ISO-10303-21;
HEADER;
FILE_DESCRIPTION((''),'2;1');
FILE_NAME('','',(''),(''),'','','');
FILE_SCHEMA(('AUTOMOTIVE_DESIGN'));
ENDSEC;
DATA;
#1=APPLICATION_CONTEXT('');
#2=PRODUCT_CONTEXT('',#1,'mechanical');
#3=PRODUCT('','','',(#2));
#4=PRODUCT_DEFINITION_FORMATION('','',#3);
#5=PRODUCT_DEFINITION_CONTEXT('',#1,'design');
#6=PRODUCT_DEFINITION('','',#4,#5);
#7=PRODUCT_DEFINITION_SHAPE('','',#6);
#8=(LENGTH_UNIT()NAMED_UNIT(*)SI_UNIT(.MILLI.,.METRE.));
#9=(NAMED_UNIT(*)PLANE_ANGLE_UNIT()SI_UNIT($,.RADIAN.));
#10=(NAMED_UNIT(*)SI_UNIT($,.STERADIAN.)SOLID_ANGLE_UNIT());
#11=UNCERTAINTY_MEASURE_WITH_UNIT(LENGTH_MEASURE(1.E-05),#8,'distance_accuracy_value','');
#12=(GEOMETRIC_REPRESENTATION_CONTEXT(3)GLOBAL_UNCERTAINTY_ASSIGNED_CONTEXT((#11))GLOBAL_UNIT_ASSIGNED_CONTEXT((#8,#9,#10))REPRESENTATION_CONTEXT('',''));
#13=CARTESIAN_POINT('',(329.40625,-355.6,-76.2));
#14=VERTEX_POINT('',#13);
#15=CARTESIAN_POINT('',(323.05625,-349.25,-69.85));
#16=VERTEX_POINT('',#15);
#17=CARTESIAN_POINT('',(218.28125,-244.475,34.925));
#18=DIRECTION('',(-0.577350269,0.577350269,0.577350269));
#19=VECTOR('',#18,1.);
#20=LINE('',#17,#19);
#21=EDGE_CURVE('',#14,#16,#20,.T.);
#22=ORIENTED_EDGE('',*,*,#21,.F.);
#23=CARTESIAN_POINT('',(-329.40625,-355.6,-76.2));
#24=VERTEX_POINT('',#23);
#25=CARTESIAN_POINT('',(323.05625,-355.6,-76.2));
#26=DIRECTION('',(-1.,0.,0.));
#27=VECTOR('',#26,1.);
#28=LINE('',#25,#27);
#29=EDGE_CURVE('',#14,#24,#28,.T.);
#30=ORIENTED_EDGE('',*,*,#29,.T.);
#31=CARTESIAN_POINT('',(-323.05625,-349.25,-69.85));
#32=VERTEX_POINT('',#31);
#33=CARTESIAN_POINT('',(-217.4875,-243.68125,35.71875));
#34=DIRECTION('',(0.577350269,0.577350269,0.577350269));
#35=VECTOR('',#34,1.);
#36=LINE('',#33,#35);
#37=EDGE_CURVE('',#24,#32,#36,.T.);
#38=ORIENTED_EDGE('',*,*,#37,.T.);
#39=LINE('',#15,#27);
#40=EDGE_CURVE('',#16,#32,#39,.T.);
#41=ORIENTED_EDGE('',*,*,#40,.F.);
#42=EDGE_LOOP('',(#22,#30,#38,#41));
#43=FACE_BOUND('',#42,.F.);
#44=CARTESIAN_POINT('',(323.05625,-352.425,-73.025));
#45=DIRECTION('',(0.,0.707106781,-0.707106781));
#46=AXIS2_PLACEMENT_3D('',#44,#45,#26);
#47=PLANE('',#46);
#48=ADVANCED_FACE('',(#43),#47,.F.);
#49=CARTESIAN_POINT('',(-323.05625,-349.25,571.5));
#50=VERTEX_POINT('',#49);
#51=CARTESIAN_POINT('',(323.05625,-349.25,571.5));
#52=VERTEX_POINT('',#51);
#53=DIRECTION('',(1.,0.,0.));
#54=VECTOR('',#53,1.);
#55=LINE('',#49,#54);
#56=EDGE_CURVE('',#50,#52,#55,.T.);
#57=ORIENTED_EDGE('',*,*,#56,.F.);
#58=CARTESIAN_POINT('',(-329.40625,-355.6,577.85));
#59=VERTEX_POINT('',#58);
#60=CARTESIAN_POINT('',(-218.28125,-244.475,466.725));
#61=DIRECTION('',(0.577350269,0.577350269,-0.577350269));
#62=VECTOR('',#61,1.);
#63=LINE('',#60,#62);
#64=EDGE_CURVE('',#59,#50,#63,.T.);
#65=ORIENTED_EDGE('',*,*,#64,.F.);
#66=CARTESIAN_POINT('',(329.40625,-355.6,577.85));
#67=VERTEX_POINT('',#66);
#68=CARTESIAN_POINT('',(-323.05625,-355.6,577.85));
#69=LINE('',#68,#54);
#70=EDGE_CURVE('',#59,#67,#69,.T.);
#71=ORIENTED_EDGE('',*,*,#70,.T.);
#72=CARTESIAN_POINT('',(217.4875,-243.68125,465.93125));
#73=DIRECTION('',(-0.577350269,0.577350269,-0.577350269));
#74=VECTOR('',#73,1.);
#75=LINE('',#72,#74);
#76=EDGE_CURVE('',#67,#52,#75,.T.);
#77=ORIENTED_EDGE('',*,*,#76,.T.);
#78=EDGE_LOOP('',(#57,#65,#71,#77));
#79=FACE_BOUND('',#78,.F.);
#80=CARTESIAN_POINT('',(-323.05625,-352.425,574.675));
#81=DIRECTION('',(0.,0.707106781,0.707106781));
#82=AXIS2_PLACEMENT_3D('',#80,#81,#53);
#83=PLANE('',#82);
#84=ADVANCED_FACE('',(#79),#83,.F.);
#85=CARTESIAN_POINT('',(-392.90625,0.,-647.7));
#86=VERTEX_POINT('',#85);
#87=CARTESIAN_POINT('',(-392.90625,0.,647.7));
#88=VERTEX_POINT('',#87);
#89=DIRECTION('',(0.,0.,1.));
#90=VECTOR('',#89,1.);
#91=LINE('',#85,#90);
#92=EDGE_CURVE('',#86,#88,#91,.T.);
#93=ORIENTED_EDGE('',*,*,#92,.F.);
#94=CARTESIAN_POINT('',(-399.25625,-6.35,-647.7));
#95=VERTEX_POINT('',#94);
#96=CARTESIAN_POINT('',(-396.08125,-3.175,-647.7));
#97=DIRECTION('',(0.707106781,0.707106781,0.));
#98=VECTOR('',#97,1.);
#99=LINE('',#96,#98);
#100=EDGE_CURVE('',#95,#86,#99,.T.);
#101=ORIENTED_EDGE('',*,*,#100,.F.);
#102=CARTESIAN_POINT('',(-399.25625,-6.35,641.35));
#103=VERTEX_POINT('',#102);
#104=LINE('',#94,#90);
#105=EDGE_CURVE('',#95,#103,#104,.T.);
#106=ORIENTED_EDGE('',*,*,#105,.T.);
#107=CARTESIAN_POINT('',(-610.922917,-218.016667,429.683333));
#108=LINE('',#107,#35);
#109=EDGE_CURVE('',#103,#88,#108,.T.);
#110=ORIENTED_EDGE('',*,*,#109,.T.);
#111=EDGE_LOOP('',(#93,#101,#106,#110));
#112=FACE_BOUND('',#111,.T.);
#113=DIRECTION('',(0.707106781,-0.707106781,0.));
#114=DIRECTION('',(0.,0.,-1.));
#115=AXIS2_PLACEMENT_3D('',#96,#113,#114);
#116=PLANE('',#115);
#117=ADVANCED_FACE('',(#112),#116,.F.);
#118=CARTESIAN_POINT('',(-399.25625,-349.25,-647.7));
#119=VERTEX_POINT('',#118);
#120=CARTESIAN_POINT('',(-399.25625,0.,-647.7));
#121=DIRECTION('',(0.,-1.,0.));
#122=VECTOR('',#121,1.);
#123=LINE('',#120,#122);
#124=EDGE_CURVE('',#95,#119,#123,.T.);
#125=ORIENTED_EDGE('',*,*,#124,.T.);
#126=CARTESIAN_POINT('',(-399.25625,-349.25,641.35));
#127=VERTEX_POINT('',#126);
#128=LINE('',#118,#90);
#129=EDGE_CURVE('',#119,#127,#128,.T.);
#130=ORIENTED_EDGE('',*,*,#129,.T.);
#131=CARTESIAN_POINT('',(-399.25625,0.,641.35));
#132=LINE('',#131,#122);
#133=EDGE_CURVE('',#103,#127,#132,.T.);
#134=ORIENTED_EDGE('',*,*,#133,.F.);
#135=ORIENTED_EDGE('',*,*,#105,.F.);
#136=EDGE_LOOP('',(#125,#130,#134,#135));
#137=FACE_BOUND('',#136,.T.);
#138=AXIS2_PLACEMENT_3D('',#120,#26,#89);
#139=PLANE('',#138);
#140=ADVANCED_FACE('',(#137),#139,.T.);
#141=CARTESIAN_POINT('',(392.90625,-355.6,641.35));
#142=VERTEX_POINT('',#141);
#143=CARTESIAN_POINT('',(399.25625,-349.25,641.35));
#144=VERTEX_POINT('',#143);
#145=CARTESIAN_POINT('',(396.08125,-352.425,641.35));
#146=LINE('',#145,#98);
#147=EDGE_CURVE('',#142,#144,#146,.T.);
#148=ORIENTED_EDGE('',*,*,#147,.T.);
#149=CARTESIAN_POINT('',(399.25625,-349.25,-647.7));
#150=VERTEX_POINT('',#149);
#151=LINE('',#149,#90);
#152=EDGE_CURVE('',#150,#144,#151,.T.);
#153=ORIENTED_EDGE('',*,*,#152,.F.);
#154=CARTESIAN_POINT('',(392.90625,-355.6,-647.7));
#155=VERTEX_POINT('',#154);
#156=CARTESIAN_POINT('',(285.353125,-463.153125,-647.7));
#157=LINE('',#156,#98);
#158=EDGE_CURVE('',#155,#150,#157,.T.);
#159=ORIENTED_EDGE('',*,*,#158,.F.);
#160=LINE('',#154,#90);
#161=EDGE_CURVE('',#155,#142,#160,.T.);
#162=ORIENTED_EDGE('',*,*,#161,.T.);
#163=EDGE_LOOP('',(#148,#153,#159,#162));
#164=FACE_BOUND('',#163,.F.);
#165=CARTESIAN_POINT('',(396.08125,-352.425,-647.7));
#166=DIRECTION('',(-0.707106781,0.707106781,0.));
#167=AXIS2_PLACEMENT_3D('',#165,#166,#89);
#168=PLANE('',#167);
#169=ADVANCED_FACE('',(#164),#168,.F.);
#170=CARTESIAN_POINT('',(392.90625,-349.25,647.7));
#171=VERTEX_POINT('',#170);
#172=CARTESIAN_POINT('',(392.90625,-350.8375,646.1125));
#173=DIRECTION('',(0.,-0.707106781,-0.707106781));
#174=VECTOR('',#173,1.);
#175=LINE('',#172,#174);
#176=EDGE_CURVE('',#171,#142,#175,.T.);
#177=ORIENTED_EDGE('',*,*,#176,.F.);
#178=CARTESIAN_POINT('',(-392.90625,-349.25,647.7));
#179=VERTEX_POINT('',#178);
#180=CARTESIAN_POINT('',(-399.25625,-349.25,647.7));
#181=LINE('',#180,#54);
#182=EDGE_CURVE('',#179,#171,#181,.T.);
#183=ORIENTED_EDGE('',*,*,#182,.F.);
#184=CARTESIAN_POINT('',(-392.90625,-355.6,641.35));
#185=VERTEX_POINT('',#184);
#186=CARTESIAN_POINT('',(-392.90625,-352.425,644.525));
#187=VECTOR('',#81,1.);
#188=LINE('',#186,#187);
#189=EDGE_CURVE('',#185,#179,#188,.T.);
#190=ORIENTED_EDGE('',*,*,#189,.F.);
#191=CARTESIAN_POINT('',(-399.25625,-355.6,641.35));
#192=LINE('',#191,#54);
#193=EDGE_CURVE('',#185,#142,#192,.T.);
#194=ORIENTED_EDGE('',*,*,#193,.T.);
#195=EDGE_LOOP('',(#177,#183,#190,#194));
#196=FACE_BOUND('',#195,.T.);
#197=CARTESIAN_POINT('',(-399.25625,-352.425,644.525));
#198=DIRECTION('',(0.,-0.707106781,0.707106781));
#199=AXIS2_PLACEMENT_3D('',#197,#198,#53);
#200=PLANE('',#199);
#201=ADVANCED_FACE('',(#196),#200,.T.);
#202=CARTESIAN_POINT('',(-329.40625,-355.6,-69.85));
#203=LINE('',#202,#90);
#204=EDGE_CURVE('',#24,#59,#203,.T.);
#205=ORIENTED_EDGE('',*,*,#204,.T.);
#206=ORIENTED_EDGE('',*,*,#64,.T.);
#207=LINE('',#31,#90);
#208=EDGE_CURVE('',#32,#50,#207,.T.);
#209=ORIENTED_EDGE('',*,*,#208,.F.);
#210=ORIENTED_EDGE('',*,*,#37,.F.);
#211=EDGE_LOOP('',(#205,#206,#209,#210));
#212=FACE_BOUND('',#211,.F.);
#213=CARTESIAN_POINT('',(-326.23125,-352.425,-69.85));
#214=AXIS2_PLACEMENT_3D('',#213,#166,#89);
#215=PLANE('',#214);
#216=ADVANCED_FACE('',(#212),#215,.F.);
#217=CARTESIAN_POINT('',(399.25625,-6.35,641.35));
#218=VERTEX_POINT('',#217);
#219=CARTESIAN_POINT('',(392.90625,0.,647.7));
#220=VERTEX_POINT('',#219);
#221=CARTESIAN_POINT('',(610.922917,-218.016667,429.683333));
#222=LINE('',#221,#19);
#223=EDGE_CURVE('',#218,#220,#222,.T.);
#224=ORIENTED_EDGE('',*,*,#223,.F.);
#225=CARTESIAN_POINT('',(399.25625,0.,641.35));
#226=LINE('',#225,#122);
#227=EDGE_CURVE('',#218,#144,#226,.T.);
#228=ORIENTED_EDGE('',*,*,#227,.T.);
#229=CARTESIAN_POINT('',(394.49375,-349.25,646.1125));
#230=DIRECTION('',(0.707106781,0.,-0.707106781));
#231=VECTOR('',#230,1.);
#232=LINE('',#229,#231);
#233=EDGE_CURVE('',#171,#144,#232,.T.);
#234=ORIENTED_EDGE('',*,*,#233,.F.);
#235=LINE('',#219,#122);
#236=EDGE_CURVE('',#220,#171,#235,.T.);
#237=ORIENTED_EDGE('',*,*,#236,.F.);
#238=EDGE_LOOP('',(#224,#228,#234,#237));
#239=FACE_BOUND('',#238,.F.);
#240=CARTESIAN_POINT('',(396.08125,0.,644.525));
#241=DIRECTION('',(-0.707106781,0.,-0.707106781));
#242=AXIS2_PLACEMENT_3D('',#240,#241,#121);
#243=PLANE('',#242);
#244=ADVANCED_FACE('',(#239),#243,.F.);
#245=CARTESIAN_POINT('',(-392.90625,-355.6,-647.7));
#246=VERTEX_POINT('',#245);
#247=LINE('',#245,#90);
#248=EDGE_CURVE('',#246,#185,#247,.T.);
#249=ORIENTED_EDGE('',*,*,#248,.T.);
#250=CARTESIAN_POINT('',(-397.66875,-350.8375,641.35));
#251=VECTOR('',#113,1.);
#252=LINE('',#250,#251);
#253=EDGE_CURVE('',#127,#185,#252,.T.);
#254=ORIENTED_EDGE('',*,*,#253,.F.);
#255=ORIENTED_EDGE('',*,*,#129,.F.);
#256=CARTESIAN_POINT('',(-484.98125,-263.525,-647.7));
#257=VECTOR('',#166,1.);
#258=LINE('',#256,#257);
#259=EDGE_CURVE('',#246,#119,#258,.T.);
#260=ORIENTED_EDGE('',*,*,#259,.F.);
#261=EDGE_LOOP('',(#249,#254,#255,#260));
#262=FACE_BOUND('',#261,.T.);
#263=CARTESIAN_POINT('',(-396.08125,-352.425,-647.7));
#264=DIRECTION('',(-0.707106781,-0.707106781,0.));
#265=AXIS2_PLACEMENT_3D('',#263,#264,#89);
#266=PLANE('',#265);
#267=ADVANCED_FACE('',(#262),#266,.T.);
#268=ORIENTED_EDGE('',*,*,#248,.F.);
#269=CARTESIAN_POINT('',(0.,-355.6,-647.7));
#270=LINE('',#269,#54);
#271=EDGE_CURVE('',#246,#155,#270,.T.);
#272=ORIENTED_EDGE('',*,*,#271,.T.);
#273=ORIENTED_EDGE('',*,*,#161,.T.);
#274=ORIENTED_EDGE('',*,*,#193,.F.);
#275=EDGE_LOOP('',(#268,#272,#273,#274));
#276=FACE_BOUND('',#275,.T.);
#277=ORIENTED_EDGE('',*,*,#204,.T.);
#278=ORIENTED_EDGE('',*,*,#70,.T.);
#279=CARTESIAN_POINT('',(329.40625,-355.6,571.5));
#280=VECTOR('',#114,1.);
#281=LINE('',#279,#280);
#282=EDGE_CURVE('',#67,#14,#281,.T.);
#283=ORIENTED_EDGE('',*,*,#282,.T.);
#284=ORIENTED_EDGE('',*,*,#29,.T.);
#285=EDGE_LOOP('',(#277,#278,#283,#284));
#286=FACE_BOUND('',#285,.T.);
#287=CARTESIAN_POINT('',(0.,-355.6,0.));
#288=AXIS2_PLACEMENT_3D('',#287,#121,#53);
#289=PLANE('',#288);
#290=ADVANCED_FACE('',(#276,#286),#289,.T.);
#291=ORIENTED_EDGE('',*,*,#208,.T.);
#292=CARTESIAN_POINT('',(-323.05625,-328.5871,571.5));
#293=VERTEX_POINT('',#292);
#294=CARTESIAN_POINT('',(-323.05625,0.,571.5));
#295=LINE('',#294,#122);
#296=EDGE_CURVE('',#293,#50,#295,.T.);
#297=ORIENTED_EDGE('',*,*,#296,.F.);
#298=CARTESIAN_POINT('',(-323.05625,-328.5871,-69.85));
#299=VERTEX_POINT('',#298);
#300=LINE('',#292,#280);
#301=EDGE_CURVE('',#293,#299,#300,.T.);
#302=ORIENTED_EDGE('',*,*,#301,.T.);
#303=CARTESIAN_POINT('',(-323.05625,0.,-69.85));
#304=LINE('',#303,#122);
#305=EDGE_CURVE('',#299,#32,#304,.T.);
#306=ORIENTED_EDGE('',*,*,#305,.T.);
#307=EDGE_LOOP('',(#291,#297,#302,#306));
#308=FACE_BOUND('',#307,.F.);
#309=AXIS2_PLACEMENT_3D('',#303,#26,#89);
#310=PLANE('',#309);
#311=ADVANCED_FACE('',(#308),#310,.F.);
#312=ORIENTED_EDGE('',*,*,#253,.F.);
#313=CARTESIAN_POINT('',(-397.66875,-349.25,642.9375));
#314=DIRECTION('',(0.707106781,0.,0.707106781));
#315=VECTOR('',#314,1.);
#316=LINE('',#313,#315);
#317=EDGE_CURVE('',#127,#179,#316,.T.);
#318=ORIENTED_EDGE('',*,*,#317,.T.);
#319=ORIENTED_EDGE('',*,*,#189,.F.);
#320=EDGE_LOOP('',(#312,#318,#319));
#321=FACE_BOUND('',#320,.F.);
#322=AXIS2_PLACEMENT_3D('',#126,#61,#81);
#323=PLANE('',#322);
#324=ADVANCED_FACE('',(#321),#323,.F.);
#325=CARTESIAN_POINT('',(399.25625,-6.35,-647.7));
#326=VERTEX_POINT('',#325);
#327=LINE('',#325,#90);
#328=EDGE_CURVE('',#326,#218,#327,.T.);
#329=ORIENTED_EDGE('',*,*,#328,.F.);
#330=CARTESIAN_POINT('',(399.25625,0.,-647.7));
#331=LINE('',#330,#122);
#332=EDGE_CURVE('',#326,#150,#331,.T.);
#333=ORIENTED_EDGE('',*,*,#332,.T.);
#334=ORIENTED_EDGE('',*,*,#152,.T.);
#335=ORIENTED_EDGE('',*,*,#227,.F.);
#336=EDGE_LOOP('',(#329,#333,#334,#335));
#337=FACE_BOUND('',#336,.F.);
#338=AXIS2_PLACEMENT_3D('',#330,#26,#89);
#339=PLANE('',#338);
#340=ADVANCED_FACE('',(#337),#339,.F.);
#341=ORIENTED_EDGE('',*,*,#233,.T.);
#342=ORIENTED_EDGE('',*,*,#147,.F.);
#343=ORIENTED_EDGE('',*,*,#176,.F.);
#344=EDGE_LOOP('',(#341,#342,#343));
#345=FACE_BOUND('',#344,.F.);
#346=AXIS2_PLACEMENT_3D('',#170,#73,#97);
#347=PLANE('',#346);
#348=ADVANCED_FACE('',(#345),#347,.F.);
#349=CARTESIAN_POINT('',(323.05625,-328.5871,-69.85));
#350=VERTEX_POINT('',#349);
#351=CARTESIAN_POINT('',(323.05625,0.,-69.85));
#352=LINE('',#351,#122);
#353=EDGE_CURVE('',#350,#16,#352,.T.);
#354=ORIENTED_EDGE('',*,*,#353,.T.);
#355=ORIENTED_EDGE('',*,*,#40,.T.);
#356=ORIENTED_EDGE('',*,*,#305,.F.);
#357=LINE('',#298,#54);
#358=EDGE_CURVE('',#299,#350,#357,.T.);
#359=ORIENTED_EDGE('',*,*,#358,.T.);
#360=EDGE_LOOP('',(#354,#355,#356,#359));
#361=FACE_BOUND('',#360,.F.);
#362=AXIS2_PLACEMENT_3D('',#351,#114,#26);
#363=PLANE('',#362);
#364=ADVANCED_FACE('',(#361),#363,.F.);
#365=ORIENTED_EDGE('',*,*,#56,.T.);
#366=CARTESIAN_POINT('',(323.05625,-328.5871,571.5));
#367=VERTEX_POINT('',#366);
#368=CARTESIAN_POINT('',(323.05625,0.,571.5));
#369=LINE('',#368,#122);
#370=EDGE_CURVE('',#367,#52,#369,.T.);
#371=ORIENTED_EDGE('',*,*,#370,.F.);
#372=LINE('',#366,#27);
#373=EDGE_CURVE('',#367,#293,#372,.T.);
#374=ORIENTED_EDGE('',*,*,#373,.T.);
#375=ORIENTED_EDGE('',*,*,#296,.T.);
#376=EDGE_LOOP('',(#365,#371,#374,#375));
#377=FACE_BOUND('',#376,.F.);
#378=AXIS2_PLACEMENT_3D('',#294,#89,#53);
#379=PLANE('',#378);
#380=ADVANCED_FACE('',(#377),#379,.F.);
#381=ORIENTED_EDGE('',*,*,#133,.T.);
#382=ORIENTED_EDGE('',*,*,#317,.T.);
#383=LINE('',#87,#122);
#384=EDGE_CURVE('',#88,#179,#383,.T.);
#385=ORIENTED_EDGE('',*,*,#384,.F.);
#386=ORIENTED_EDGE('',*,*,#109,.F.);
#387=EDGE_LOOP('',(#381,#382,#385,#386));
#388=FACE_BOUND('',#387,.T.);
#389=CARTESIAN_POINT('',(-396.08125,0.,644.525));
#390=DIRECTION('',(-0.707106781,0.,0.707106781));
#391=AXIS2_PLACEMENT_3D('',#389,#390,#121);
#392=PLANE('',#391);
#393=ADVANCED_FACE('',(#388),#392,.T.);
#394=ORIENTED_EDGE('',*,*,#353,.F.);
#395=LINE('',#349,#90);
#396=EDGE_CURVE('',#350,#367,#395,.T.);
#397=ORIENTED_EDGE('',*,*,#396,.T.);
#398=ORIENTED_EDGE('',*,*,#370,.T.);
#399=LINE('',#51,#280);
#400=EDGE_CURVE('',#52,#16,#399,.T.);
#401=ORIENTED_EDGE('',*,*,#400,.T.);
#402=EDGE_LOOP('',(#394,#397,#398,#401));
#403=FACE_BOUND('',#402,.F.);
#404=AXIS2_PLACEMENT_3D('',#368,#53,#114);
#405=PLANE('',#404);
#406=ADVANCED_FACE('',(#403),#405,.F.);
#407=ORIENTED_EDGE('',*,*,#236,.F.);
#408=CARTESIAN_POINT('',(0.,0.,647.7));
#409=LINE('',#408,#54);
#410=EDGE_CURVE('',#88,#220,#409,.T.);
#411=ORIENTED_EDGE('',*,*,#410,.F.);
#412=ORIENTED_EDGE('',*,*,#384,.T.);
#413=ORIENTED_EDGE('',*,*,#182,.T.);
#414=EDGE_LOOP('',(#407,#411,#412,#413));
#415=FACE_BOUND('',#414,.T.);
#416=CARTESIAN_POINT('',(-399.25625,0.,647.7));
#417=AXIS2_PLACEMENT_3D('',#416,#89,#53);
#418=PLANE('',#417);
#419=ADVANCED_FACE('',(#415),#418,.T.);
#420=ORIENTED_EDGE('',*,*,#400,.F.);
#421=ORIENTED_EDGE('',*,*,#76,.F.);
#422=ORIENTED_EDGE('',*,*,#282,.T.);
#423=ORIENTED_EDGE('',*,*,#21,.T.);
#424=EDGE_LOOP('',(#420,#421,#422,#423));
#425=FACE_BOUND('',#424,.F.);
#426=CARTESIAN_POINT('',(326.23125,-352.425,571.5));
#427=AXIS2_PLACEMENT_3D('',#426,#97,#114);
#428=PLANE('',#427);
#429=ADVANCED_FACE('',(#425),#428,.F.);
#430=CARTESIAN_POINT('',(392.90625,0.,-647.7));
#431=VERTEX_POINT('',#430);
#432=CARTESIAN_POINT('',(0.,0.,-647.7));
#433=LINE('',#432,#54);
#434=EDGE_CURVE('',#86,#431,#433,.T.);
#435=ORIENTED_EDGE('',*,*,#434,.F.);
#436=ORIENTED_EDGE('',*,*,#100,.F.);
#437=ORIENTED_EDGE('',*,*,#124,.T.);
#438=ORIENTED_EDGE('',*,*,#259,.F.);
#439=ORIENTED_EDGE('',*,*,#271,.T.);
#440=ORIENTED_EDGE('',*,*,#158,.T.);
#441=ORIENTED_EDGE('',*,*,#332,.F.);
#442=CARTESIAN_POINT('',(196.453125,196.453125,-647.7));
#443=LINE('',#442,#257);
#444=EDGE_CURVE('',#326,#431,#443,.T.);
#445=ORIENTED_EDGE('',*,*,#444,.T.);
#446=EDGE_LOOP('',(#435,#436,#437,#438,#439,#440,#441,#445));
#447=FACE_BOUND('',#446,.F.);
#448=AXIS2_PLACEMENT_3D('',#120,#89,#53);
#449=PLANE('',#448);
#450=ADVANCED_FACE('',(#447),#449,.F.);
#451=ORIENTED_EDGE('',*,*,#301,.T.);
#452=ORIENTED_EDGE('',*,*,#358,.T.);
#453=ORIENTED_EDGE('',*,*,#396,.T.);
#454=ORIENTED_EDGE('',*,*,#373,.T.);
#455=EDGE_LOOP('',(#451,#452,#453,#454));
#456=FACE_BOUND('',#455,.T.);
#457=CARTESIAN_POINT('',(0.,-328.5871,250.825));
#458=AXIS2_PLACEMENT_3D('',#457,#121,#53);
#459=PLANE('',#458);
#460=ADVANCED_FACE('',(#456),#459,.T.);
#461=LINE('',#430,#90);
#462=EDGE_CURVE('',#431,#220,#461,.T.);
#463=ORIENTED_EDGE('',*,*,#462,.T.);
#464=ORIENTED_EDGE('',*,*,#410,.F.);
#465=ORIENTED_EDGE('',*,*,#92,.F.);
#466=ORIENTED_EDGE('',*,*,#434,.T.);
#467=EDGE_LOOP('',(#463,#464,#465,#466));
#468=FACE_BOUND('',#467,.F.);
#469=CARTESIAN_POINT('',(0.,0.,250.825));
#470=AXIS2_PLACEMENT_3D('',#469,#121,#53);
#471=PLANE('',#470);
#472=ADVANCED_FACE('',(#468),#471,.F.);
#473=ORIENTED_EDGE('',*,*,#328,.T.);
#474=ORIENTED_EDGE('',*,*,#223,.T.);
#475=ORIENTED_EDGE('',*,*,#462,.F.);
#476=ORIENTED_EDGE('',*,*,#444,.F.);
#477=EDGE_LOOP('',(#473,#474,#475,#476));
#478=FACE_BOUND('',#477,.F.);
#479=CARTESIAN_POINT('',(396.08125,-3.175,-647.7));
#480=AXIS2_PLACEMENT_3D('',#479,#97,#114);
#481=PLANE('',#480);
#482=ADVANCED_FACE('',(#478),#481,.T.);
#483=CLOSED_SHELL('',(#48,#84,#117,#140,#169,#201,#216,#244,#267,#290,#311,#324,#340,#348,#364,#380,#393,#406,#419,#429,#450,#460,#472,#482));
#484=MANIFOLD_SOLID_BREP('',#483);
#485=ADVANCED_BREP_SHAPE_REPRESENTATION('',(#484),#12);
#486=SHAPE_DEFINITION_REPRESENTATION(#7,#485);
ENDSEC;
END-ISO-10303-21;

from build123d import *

# Parameters (mm, degrees)
F0_W     = 798.5125
F0_H     = 1295.4
F1_DEPTH = 355.6
F2_DEPTH = 328.5871
F3_SIZE  = 6.35
F4_SIZE  = 6.35


with BuildPart() as f1:
    # F0 (on Front) → F1 (new body)
    with BuildSketch(Plane.XZ):
        Rectangle(F0_W, F0_H)
        Polygon((323.05625, 571.5), (323.05625, 323.85), (323.05625, -69.85), (-323.05625, -69.85), (-323.05625, 571.5), align=None, mode=Mode.SUBTRACT)
    extrude(amount=F1_DEPTH)

    # F0 (on Front) → F2 (join)
    with BuildSketch(Plane.XZ):
        Polygon((323.05625, -69.85), (323.05625, 323.85), (323.05625, 571.5), (-323.05625, 571.5), (-323.05625, -69.85), align=None)
    extrude(amount=F2_DEPTH)

    # F3
    f3_edges = [f1.edges().sort_by_distance(p)[0] for p in [
        (0, -355.6, -69.85),
        (-323.05625, -355.6, 250.825),
        (0, -355.6, 571.5),
        (323.05625, -355.6, 250.825),
    ]]
    chamfer(f3_edges, length=F3_SIZE)

    # F4
    f4_edges = [f1.edges().sort_by_distance(p)[0] for p in [
        (399.25625, -355.6, 0),
        (0, -355.6, 647.7),
        (-399.25625, -355.6, 0),
        (-399.25625, -177.8, 647.7),
        (399.25625, -177.8, 647.7),
        (-399.25625, 0, 0),
        (399.25625, 0, 0),
    ]]
    chamfer(f4_edges, length=F4_SIZE)


solid = f1.part
